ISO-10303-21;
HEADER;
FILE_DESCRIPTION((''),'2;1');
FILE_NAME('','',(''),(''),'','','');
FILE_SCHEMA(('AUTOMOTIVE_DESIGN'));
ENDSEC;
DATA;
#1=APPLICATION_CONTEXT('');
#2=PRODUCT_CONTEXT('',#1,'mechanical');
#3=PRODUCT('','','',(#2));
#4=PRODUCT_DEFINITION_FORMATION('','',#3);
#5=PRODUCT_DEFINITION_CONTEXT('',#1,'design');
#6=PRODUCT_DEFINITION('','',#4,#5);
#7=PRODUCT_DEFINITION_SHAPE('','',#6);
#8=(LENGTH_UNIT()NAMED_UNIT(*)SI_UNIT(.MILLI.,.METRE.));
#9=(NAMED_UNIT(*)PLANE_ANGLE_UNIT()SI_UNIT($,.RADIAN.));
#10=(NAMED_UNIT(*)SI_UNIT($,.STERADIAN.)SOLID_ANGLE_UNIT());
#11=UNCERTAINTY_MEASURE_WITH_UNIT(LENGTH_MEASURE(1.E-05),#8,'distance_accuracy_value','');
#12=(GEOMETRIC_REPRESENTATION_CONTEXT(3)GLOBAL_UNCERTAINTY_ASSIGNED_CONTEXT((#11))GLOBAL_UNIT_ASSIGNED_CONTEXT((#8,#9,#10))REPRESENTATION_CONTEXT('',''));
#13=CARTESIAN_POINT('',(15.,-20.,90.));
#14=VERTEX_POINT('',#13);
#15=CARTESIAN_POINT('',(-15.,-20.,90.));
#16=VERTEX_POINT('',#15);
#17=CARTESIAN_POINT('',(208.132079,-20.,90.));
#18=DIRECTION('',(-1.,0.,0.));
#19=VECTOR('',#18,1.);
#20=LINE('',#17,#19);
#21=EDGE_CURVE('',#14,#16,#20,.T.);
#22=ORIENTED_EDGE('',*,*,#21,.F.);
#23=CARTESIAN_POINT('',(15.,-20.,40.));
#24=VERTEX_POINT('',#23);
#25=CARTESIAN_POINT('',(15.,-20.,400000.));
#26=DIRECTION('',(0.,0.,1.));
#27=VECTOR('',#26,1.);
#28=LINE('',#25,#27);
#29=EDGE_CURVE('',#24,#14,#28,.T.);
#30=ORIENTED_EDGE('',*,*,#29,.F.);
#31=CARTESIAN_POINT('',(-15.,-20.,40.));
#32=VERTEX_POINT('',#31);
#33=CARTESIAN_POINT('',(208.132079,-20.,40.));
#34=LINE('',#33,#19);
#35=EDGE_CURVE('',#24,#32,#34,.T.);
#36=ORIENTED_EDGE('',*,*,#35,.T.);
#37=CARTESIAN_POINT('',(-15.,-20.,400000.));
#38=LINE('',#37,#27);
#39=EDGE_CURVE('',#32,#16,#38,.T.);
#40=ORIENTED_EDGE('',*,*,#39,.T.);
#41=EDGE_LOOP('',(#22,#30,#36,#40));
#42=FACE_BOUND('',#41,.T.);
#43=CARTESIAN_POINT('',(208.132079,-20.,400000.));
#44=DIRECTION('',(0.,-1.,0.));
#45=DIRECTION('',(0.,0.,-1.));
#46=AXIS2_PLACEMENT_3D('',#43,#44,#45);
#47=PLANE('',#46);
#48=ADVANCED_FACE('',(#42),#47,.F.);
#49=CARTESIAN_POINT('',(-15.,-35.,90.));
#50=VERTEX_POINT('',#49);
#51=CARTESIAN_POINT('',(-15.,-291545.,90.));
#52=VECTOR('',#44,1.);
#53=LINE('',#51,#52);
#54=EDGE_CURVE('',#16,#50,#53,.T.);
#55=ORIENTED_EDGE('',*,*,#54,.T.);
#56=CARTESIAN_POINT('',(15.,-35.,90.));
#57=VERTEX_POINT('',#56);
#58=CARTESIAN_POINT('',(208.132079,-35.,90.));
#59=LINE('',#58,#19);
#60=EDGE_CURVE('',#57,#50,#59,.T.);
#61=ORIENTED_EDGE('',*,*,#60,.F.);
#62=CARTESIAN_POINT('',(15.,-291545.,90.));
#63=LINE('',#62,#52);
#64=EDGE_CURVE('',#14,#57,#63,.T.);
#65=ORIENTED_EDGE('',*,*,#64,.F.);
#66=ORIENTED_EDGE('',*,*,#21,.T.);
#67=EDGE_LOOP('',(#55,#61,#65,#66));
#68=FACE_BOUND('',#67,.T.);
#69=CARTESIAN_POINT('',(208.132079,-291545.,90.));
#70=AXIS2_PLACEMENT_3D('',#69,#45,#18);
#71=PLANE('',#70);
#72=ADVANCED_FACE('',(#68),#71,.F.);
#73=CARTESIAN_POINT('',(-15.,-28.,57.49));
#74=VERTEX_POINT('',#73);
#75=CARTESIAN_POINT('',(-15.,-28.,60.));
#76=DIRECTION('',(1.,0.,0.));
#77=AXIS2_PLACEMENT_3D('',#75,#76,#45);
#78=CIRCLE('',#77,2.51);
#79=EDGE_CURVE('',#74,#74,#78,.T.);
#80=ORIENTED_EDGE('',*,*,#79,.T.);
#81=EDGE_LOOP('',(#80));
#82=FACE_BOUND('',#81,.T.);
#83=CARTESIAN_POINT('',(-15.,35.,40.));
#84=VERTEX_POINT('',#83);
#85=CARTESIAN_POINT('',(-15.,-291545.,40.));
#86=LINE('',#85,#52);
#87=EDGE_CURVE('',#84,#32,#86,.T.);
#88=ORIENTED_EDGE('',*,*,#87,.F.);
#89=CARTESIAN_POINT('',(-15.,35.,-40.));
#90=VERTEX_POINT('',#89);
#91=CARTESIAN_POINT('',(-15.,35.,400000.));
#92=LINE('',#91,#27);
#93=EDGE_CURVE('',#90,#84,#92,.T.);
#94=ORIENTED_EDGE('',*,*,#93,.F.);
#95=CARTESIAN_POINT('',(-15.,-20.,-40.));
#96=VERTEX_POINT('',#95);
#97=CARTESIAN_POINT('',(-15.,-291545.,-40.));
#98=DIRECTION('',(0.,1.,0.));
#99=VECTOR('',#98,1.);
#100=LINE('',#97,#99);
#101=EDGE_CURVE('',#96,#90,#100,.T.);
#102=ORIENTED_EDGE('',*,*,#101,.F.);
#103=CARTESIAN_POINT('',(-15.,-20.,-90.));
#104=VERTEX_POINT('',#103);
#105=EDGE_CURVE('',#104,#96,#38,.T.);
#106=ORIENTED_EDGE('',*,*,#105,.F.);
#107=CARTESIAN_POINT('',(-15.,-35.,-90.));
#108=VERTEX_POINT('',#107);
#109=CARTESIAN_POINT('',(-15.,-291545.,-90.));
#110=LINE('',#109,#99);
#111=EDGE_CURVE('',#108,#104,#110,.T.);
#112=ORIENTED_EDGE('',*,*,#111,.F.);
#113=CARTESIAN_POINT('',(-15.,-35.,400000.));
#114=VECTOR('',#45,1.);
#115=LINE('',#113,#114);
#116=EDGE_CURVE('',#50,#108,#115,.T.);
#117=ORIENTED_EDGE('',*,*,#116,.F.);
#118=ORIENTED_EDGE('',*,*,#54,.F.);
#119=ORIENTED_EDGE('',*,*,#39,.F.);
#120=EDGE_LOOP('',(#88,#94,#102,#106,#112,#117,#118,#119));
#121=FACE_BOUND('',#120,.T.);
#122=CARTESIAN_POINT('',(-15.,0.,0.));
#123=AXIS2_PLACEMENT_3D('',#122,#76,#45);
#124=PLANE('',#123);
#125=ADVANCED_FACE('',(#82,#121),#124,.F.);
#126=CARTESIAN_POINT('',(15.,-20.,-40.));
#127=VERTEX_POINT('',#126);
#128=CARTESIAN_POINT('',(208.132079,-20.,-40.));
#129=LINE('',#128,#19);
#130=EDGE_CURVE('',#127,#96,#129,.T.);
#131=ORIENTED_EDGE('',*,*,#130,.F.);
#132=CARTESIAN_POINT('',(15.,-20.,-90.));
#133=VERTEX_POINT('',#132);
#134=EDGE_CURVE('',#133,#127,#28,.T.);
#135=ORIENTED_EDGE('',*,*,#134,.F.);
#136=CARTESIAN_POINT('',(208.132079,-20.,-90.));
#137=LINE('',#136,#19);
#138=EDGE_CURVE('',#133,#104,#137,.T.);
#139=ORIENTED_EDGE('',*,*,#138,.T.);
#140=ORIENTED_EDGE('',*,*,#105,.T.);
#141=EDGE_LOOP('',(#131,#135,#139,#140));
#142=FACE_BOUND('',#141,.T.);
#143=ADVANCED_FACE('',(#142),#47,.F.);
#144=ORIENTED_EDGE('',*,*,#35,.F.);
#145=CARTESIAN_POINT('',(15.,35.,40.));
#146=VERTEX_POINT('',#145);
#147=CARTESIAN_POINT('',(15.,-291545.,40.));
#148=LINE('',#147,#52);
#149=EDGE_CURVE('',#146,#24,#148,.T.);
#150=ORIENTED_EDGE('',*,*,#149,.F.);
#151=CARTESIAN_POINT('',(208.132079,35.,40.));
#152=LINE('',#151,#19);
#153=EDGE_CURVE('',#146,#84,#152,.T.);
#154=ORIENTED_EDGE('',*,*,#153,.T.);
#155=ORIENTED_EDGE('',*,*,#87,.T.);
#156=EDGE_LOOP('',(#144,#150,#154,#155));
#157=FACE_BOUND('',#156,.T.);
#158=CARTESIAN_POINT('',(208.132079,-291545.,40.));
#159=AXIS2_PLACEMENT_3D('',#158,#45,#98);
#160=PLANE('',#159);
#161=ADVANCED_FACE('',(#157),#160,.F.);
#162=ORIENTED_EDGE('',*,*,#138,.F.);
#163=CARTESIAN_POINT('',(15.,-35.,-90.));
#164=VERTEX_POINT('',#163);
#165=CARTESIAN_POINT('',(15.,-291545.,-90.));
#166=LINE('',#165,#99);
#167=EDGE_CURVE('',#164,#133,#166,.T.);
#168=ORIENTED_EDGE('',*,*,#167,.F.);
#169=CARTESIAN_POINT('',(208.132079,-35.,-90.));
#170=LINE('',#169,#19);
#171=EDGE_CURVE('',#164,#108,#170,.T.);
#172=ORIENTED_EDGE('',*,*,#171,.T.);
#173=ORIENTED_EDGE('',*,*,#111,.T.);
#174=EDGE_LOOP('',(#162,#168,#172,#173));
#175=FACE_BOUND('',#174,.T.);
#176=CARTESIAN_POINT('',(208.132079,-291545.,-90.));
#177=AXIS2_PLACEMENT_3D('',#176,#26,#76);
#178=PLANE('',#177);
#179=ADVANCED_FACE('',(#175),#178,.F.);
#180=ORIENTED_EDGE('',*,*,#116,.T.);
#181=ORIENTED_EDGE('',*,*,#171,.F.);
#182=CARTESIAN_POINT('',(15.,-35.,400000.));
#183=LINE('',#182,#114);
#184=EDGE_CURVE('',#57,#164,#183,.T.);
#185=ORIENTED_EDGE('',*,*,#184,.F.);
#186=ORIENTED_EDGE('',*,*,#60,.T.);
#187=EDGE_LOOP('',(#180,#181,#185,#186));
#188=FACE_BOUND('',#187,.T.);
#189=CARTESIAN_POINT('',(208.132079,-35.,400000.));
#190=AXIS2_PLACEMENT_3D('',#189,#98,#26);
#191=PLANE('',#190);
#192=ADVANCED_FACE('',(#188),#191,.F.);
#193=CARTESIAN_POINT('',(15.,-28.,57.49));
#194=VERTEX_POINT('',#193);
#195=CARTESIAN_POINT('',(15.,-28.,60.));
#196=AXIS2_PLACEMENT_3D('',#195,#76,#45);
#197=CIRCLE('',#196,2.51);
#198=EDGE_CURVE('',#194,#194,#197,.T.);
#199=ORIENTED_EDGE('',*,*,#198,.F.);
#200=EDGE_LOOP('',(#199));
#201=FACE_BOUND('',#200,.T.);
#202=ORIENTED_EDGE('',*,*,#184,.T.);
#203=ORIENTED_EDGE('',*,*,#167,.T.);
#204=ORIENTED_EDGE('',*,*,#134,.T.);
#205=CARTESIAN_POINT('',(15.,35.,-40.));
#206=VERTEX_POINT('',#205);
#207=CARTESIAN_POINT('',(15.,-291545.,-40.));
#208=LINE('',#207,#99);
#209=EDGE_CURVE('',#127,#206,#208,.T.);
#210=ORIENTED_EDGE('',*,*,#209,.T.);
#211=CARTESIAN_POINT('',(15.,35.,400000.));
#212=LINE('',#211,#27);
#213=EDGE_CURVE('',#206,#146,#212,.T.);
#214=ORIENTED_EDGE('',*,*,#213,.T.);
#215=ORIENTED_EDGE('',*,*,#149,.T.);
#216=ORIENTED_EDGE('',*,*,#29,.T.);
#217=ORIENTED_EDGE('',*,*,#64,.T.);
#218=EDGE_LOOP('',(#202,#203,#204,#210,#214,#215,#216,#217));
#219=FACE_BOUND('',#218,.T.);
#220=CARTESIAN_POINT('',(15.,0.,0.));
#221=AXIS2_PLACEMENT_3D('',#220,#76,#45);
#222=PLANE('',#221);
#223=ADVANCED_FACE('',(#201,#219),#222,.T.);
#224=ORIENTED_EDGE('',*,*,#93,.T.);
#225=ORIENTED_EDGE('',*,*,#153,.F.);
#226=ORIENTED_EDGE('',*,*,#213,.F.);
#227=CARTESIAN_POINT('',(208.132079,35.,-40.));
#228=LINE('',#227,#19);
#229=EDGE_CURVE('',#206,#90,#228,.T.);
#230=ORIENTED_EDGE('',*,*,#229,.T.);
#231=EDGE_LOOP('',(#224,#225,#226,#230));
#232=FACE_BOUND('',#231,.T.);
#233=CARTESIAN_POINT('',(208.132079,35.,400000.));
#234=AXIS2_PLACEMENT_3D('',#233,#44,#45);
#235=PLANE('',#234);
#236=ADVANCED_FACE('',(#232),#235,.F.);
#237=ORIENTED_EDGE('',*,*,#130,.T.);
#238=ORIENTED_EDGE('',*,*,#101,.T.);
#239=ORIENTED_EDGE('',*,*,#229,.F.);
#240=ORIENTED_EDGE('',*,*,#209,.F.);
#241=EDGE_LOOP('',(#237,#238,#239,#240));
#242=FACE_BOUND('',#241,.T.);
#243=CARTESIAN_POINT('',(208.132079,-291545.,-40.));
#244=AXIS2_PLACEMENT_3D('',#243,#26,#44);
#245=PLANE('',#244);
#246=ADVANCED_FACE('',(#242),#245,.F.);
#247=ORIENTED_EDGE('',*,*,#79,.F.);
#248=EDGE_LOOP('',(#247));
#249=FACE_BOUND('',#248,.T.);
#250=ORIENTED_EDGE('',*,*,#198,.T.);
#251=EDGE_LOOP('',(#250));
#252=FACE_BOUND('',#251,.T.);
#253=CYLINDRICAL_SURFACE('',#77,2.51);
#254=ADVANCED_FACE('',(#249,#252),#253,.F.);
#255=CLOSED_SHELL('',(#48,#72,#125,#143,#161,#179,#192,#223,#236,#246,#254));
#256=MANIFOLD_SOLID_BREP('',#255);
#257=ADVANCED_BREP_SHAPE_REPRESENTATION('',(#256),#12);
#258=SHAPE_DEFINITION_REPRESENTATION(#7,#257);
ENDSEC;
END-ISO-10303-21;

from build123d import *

# Parameters (mm, degrees)
MAINBODY_EXTRUDE_START        = -15
MAINBODY_EXTRUDE_DEPTH        = 30
PIVOTSHAFTHOLE_CUT_DEPTH      = 98.724101428
PIVOTSHAFTHOLE_CUT_DEPTH_BACK = 98.724101428
PIVOTSHAFTHOLE_SKETCH_R       = 2.51


with BuildPart() as part:
    # projectionYz_sketch → mainBody_extrude (new body)
    with BuildSketch(Plane(origin=(0, 0, 0), x_dir=(0, 0, -1), z_dir=(1, 0, 0)).offset(MAINBODY_EXTRUDE_START)):
        Polygon((90, -35), (90, -20), (40, -20), (40, 35), (-40, 35), (-40, -20), (-90, -20), (-90, -35), align=None)
    extrude(amount=MAINBODY_EXTRUDE_DEPTH)

    # pivotShaftHole_sketch → pivotShaftHole_cut (cut, two sides: drawn at the far end of the back side and taken through both)
    with BuildSketch(Plane(origin=(0, 0, 0), x_dir=(0, 0, -1), z_dir=(1, 0, 0)).offset(-PIVOTSHAFTHOLE_CUT_DEPTH_BACK)):
        with Locations((-60, -28)):
            Circle(PIVOTSHAFTHOLE_SKETCH_R)
    extrude(amount=PIVOTSHAFTHOLE_CUT_DEPTH + PIVOTSHAFTHOLE_CUT_DEPTH_BACK, mode=Mode.SUBTRACT)


solid = part.part
